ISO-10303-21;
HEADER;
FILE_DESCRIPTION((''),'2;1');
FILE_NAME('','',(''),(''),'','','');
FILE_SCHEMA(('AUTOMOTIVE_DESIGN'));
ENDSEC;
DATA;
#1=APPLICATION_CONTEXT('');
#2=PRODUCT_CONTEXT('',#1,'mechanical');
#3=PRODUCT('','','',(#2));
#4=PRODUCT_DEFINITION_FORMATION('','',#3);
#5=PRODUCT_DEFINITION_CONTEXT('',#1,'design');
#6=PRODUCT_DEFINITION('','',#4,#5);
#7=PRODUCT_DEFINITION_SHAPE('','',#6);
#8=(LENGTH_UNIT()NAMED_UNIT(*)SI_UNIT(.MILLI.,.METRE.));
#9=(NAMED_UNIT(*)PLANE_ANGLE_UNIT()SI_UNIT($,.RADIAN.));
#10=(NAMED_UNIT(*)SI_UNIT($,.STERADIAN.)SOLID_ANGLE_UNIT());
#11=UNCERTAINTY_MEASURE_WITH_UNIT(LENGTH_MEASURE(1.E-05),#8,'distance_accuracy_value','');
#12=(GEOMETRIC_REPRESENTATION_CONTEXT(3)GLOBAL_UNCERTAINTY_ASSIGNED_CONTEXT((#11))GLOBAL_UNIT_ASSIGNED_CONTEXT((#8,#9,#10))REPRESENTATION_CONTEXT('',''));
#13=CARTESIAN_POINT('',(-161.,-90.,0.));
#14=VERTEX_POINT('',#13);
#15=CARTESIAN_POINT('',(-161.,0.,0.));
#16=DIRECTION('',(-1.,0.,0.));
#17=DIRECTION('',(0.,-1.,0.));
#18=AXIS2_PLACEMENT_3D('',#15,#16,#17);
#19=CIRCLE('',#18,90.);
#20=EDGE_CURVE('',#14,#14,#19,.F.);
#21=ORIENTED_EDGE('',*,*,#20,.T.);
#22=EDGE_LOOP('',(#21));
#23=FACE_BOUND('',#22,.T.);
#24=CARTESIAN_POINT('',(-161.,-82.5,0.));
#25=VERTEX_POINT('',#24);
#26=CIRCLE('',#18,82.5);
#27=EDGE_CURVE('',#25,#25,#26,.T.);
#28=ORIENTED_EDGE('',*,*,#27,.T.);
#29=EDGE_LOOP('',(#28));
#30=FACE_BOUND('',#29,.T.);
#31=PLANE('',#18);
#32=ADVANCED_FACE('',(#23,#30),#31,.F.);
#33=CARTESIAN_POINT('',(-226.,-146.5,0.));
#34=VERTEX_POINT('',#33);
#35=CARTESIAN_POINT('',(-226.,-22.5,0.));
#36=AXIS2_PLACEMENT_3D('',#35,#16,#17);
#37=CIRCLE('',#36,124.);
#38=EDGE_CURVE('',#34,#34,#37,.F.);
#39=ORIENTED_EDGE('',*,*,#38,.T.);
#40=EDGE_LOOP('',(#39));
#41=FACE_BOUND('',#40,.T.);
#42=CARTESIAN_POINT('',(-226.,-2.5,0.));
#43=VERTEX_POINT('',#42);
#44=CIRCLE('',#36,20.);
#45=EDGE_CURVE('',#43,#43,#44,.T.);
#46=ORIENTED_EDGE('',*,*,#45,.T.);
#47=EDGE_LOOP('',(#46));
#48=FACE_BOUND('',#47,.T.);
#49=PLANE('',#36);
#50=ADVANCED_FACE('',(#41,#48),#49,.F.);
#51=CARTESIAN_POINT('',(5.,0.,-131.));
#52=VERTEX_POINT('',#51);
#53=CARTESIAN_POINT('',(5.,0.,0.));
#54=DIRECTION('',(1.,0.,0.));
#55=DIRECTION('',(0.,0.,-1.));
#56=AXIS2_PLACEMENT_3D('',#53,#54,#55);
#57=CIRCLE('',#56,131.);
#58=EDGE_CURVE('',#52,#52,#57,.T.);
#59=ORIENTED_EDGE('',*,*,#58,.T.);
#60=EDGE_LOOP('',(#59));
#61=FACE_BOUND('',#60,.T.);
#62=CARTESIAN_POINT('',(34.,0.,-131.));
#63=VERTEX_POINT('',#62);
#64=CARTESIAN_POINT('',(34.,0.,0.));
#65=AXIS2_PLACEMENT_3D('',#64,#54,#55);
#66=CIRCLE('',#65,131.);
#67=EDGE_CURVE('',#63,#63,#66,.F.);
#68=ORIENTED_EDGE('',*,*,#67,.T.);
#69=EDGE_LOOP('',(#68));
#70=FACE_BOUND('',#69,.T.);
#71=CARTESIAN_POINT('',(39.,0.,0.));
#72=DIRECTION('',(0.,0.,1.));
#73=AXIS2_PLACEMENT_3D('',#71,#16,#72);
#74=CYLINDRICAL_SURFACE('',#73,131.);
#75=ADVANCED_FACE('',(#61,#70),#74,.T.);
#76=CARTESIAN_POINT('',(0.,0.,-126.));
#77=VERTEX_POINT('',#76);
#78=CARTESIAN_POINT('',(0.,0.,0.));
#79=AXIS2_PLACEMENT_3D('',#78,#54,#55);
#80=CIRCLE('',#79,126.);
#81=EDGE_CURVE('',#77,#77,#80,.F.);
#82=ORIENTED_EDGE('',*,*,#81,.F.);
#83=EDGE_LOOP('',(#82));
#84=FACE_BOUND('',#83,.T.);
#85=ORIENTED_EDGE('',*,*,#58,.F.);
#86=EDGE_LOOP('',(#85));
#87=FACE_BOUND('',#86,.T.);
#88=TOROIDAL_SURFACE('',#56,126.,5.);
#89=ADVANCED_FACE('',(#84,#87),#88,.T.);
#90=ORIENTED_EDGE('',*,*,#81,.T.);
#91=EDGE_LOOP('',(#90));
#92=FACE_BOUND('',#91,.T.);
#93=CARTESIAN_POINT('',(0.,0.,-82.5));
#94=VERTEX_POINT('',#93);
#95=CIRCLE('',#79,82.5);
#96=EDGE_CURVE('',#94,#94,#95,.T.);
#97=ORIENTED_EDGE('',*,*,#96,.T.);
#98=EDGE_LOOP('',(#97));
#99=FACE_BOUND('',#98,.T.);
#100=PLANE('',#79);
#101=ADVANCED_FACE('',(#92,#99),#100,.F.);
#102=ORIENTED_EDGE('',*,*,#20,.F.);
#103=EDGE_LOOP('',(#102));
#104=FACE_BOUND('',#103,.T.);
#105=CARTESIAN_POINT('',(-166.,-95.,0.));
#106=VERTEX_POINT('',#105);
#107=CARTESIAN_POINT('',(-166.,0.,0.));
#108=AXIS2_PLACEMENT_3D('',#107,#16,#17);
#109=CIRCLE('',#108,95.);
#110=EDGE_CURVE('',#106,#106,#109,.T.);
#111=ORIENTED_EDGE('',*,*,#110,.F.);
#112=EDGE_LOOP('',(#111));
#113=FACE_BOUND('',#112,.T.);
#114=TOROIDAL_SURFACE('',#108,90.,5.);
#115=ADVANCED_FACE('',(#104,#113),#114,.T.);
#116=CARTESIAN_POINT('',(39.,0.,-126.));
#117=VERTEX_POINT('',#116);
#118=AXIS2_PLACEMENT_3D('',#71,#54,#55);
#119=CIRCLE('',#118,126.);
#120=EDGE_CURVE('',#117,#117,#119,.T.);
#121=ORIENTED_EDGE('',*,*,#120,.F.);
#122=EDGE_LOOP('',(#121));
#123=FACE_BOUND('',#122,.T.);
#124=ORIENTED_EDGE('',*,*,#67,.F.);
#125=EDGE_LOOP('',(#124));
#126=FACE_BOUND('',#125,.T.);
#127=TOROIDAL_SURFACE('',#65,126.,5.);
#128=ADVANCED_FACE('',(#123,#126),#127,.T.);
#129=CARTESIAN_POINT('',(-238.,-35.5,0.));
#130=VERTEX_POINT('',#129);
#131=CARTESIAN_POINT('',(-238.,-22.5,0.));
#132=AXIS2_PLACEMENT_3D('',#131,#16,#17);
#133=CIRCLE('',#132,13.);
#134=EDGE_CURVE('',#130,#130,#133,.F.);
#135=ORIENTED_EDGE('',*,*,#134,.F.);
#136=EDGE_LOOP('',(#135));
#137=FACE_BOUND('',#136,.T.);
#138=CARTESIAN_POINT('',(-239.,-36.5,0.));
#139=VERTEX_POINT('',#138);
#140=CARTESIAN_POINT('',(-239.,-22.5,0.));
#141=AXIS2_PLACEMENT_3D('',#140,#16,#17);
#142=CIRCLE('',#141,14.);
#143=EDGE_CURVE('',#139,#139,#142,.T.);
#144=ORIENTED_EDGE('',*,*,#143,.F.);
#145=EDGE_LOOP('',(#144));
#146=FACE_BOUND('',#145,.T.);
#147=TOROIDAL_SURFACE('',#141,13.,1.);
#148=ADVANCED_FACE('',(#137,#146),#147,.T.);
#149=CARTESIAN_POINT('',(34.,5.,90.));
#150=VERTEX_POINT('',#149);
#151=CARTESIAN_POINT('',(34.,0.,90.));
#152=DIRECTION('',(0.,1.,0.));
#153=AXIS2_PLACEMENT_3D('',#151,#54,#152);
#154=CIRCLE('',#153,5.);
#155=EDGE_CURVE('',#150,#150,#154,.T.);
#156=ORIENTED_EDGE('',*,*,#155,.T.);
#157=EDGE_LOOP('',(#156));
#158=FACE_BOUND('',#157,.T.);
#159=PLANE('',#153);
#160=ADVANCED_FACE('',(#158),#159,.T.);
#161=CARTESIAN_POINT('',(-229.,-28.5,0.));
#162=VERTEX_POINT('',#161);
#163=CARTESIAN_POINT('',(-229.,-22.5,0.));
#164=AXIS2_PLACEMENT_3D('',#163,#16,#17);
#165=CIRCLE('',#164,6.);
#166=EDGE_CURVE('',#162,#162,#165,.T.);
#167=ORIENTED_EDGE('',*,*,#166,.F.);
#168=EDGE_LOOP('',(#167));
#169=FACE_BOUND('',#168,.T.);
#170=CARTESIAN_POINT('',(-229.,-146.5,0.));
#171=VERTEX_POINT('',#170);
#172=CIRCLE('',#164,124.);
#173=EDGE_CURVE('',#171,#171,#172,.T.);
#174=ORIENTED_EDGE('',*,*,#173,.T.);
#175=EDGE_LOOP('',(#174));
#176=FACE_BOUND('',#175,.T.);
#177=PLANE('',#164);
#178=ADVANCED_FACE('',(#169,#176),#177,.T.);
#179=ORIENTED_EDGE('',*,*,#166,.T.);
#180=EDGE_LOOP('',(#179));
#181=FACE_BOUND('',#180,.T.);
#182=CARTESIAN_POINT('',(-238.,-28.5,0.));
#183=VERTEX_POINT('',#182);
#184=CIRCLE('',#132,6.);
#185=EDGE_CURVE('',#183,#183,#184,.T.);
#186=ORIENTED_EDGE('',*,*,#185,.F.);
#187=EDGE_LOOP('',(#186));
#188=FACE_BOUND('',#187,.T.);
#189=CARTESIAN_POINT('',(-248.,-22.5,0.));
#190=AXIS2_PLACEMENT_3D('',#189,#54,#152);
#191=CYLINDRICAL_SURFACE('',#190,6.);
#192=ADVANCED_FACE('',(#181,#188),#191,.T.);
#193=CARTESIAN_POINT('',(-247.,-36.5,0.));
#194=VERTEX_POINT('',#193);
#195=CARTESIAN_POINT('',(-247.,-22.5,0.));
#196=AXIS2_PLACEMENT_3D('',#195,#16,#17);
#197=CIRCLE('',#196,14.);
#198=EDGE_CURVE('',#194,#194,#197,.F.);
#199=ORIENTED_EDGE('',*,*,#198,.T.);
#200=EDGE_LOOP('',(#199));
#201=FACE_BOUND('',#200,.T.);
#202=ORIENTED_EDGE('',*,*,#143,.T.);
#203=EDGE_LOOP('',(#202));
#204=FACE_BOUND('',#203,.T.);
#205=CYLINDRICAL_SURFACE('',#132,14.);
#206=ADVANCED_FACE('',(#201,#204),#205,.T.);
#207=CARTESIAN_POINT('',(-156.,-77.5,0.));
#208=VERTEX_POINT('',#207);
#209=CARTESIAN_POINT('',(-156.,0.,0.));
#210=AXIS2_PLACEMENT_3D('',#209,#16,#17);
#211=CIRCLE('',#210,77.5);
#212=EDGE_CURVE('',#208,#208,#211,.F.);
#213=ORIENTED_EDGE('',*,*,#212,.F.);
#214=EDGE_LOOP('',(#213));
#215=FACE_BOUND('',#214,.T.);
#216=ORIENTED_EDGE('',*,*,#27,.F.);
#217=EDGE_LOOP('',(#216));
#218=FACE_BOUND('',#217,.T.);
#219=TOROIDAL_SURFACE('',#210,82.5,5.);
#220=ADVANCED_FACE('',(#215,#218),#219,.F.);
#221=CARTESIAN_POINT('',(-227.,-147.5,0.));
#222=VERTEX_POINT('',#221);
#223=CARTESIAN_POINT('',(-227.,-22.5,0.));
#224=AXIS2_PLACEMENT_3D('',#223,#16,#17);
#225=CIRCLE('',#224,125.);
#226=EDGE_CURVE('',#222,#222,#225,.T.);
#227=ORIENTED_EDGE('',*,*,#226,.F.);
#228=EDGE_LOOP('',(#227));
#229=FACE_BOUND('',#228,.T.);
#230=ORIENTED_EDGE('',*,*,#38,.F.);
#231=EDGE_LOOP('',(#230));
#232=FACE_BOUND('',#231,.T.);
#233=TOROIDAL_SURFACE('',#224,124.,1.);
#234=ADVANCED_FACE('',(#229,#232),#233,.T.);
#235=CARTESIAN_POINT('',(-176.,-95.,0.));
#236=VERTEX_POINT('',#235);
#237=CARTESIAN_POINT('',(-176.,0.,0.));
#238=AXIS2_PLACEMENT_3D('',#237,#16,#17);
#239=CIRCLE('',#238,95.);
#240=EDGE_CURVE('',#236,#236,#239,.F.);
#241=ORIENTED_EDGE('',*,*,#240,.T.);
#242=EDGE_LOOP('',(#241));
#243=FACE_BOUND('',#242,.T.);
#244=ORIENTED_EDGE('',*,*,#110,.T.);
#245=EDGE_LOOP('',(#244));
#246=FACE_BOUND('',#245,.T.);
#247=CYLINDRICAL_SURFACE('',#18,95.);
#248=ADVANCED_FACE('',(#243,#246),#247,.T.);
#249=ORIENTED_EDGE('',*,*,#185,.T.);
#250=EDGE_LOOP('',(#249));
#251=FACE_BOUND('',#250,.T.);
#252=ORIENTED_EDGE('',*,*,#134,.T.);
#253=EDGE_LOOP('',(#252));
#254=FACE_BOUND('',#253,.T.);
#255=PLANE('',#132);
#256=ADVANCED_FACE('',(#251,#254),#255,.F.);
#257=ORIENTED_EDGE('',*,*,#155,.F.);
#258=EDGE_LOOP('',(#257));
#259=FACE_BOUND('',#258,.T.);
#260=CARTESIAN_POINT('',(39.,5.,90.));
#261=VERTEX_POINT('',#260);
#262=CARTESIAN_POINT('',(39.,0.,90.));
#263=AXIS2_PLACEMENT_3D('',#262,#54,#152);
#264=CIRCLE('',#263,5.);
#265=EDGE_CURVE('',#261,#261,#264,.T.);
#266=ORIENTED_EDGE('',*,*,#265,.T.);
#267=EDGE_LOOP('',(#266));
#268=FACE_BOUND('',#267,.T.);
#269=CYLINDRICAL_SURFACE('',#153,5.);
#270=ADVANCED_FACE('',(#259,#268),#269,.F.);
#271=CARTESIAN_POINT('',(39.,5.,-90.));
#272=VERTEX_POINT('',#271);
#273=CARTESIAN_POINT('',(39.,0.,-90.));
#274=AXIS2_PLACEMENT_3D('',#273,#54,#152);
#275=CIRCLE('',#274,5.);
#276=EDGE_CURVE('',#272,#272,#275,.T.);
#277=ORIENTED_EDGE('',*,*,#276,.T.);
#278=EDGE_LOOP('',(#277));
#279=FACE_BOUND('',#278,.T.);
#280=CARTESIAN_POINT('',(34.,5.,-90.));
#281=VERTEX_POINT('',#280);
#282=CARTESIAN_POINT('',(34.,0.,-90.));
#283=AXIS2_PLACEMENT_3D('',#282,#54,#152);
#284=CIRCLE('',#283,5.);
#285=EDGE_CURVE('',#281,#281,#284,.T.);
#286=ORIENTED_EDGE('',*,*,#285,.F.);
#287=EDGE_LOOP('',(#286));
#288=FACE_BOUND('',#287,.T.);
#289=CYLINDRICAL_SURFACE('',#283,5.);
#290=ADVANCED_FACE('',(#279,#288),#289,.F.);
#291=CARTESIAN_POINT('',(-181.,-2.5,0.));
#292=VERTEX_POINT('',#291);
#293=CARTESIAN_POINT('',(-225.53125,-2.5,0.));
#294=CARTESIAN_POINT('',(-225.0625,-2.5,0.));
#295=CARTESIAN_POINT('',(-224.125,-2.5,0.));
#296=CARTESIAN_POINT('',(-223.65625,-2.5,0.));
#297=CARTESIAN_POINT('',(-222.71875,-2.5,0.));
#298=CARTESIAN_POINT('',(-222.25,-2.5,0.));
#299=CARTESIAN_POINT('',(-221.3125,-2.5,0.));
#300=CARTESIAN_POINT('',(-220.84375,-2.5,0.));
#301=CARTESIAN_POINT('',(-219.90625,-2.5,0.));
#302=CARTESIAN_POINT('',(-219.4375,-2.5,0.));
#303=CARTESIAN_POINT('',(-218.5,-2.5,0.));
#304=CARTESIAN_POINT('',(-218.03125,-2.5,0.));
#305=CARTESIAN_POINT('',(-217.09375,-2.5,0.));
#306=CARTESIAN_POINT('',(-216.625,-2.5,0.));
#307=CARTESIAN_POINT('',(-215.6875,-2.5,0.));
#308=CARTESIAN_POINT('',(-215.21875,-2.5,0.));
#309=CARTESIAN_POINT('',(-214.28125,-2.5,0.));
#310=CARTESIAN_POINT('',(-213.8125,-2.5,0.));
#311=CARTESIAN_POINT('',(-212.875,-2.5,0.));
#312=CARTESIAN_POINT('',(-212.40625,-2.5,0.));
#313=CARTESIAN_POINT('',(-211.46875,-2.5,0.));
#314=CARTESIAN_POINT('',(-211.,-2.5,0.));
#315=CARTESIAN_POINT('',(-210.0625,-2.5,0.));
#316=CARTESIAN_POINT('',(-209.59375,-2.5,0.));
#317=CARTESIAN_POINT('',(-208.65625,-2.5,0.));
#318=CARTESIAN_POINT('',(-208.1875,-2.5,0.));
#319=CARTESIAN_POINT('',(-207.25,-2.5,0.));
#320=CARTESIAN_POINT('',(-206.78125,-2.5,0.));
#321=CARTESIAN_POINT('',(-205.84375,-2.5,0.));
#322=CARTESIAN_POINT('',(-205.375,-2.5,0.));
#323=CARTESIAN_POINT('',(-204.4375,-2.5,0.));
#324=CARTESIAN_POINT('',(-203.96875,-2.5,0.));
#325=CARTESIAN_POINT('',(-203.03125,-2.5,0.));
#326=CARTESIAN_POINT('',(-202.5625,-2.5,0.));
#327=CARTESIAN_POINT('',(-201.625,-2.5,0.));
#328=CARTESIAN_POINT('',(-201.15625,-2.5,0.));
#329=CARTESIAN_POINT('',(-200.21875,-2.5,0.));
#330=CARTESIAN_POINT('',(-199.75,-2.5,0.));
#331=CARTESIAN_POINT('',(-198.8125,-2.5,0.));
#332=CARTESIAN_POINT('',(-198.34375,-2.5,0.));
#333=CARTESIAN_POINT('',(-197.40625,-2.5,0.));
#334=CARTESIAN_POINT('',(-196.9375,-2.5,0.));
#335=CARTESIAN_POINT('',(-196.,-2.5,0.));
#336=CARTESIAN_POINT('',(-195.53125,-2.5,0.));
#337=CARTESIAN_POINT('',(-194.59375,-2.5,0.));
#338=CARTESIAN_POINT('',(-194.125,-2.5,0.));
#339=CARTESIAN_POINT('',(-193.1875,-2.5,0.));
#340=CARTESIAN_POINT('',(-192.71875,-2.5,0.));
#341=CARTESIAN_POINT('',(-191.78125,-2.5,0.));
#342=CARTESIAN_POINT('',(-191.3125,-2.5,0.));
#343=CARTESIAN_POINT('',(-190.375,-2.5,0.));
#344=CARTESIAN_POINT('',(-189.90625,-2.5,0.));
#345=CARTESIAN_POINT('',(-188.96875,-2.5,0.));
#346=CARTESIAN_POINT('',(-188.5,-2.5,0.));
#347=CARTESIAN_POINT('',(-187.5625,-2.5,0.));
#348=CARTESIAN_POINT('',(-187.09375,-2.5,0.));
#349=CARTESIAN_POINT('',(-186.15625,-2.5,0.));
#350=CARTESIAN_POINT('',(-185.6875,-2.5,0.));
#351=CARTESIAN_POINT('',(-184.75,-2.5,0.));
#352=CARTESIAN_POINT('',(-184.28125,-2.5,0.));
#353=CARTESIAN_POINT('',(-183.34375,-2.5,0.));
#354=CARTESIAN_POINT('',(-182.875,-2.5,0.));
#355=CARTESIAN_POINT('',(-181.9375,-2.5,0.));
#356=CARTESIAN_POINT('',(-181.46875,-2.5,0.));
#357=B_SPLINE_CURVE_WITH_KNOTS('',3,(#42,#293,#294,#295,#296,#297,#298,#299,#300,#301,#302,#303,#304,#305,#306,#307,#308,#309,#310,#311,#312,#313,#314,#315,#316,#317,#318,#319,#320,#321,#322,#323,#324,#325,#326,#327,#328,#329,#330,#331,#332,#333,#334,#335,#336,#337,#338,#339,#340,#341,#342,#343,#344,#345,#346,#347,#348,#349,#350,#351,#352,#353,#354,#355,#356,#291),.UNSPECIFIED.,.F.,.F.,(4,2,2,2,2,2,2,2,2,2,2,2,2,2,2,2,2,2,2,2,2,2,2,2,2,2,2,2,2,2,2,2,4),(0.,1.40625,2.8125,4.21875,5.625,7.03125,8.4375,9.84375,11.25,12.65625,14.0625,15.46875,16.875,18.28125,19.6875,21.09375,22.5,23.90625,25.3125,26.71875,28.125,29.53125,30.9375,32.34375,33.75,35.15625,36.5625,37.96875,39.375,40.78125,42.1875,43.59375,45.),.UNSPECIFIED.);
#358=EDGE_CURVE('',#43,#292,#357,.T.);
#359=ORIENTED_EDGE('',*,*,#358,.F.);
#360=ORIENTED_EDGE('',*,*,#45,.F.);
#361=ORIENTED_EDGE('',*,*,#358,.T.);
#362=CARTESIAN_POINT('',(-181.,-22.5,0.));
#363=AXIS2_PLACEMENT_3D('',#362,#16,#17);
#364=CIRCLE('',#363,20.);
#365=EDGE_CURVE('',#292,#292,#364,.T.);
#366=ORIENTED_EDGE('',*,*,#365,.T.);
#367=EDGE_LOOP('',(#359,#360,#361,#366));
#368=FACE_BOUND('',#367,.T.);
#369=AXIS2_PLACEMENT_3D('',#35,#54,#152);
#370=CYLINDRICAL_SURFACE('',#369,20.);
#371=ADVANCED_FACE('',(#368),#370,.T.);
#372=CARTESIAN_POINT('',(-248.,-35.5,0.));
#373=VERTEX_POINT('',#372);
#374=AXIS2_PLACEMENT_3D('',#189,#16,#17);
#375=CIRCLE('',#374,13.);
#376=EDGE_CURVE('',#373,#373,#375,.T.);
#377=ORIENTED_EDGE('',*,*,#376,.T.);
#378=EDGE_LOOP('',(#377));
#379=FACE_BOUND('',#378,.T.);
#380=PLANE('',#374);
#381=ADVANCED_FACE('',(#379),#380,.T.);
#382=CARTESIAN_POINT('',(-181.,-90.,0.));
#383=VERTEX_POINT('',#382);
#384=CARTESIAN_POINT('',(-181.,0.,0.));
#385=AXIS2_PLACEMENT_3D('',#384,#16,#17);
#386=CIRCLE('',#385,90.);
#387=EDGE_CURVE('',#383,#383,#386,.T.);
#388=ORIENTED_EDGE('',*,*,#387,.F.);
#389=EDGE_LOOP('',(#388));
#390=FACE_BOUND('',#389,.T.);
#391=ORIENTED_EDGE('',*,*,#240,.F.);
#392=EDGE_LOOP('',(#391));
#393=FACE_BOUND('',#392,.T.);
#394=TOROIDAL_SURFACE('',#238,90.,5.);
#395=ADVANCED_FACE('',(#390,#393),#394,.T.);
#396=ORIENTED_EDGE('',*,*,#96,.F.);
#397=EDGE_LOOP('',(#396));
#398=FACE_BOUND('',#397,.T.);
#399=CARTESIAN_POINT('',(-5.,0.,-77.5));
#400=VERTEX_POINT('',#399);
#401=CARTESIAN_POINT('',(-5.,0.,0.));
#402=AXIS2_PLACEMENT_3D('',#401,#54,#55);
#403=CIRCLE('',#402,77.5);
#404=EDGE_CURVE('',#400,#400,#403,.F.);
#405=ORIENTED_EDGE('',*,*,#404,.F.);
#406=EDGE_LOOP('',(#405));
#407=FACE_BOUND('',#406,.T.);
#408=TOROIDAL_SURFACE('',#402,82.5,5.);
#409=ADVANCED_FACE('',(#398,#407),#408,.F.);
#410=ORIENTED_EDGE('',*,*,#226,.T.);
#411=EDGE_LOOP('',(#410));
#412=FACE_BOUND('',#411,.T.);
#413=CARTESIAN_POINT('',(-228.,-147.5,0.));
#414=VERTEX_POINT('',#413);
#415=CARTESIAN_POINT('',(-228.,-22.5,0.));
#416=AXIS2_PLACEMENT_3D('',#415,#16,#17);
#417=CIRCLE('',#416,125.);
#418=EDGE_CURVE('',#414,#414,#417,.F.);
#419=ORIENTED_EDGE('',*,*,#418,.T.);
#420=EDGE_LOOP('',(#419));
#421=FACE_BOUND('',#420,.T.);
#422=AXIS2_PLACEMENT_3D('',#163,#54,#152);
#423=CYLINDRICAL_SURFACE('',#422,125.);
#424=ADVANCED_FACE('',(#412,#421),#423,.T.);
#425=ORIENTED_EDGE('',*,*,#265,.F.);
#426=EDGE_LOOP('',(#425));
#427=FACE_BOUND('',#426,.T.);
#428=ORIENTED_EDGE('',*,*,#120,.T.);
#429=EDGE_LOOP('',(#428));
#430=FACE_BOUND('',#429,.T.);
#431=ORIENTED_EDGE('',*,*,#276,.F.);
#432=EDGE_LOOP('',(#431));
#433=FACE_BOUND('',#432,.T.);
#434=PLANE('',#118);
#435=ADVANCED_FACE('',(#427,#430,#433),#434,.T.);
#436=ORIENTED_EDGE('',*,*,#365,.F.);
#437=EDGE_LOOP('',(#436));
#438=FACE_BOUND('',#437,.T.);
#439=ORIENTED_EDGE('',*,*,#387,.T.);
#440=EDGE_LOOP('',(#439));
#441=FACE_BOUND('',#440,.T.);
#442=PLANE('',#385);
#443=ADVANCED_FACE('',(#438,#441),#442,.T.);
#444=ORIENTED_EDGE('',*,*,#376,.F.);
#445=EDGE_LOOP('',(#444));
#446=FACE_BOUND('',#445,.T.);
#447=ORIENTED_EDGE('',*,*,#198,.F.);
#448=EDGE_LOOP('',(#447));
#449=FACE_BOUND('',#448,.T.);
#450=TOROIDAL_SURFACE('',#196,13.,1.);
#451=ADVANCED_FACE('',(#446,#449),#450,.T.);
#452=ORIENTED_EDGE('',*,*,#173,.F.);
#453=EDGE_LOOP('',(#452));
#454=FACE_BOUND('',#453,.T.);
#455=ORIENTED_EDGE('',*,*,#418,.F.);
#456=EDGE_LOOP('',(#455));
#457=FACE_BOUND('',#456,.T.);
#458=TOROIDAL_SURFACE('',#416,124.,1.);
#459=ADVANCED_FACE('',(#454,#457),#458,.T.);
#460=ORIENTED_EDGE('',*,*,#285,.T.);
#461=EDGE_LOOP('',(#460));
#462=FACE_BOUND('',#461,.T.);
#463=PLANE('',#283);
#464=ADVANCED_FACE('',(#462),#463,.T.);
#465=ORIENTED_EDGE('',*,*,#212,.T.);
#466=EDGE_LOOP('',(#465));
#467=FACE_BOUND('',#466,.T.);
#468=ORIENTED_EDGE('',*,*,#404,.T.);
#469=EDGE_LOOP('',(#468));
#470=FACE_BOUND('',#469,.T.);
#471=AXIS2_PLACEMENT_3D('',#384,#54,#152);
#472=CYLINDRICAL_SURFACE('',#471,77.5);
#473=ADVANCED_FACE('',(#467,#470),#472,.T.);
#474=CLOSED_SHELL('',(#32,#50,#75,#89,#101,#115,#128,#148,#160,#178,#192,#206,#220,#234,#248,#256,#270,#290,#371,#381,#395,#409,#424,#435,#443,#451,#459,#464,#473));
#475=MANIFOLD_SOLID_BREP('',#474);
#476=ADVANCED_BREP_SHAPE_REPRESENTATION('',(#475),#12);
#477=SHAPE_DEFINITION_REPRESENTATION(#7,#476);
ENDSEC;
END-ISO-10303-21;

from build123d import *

# Parameters (mm, degrees)
SKETCH1_R           = 131
BOSS_EXTRUDE1_DEPTH = 39
SKETCH2_R           = 77.5
BOSS_EXTRUDE2_DEPTH = 181
SKETCH3_R           = 95
BOSS_EXTRUDE3_DEPTH = 20
SKETCH4_R           = 20
BOSS_EXTRUDE4_DEPTH = 45
SKETCH5_R           = 6
BOSS_EXTRUDE5_DEPTH = 22
SKETCH6_R           = 125
BOSS_EXTRUDE6_DEPTH = 3
SKETCH7_R           = 14
BOSS_EXTRUDE7_DEPTH = 10
SKETCH8_R           = 5
CUT_EXTRUDE1_DEPTH  = 5
FILLET1_R           = 1
FILLET2_R           = 1
FILLET3_R           = 5


with BuildPart() as part:
    # Sketch1 → Boss-Extrude1 (new body)
    with BuildSketch(Plane(origin=(0, 0, 0), x_dir=(0, -1, 0), z_dir=(1, 0, 0))):
        with Locations(Location((0, 0, 0), (0, 0, 90))):
            Circle(SKETCH1_R)
    extrude(amount=BOSS_EXTRUDE1_DEPTH)

    # Sketch2 → Boss-Extrude2 (add)
    with BuildSketch(Plane(origin=(0, 0, 0), x_dir=(0, -1, 0), z_dir=(-1, 0, 0))):
        with Locations(Location((0, 0, 0), (0, 0, 270))):
            Circle(SKETCH2_R)
    extrude(amount=BOSS_EXTRUDE2_DEPTH)



with BuildPart() as body_2:
    # Sketch3 → Boss-Extrude3 (new body)
    with BuildSketch(Plane(origin=(-181, 0, 0), x_dir=(0, -1, 0), z_dir=(-1, 0, 0))):
        Circle(SKETCH3_R)
    extrude(amount=-BOSS_EXTRUDE3_DEPTH)


with BuildPart() as part_1:
    add(part.part)

    add(body_2.part)  # Boss-Extrude4 merges body 2
    # Sketch4 → Boss-Extrude4 (add)
    with BuildSketch(Plane(origin=(-181, 0, 0), x_dir=(0, -1, 0), z_dir=(-1, 0, 0))):
        with Locations(Location((22.5, 0, 0), (0, 0, 180))):
            Circle(SKETCH4_R)
    extrude(amount=BOSS_EXTRUDE4_DEPTH)

    # Sketch5 → Boss-Extrude5 (add)
    with BuildSketch(Plane(origin=(-226, 0, 0), x_dir=(0, -1, 0), z_dir=(-1, 0, 0))):
        with Locations((22.5, 0)):
            Circle(SKETCH5_R)
    extrude(amount=BOSS_EXTRUDE5_DEPTH)

    # Sketch6 → Boss-Extrude6 (add)
    with BuildSketch(Plane(origin=(-226, 0, 0), x_dir=(0, -1, 0), z_dir=(-1, 0, 0))):
        with Locations((22.5, 0)):
            Circle(SKETCH6_R)
    extrude(amount=BOSS_EXTRUDE6_DEPTH)

    # Sketch7 → Boss-Extrude7 (add)
    with BuildSketch(Plane(origin=(-248, 0, 0), x_dir=(0, -1, 0), z_dir=(-1, 0, 0))):
        with Locations((22.5, 0)):
            Circle(SKETCH7_R)
    extrude(amount=-BOSS_EXTRUDE7_DEPTH)

    # Sketch8 → Cut-Extrude1 (cut)
    with BuildSketch(Plane(origin=(39, 0, 0), x_dir=(0, -1, 0), z_dir=(1, 0, 0))):
        with Locations(Location((0, 90, 0), (0, 0, 180))):
            Circle(SKETCH8_R)
        with Locations(Location((0, -90, 0), (0, 0, 180))):
            Circle(SKETCH8_R)
    extrude(amount=-CUT_EXTRUDE1_DEPTH, mode=Mode.SUBTRACT)

    # Fillet1
    fillet1_edges = [part_1.edges().sort_by_distance(p)[0] for p in [
        (-248, -8.5, 0),
        (-238, -8.5, 0),
    ]]
    fillet(fillet1_edges, radius=FILLET1_R)

    # Fillet2
    fillet2_edges = [part_1.edges().sort_by_distance(p)[0] for p in [
        (-229, 102.5, 0),
        (-226, 102.5, 0),
    ]]
    fillet(fillet2_edges, radius=FILLET2_R)

    # Fillet3
    fillet3_edges = [part_1.edges().sort_by_distance(p)[0] for p in [
        (-161, 0, 77.5),
        (-181, 95, 0),
        (-161, 95, 0),
        (0, 0, 131),
        (39, 0, 131),
        (0, 0, 77.5),
    ]]
    fillet(fillet3_edges, radius=FILLET3_R)


solid = part_1.part
